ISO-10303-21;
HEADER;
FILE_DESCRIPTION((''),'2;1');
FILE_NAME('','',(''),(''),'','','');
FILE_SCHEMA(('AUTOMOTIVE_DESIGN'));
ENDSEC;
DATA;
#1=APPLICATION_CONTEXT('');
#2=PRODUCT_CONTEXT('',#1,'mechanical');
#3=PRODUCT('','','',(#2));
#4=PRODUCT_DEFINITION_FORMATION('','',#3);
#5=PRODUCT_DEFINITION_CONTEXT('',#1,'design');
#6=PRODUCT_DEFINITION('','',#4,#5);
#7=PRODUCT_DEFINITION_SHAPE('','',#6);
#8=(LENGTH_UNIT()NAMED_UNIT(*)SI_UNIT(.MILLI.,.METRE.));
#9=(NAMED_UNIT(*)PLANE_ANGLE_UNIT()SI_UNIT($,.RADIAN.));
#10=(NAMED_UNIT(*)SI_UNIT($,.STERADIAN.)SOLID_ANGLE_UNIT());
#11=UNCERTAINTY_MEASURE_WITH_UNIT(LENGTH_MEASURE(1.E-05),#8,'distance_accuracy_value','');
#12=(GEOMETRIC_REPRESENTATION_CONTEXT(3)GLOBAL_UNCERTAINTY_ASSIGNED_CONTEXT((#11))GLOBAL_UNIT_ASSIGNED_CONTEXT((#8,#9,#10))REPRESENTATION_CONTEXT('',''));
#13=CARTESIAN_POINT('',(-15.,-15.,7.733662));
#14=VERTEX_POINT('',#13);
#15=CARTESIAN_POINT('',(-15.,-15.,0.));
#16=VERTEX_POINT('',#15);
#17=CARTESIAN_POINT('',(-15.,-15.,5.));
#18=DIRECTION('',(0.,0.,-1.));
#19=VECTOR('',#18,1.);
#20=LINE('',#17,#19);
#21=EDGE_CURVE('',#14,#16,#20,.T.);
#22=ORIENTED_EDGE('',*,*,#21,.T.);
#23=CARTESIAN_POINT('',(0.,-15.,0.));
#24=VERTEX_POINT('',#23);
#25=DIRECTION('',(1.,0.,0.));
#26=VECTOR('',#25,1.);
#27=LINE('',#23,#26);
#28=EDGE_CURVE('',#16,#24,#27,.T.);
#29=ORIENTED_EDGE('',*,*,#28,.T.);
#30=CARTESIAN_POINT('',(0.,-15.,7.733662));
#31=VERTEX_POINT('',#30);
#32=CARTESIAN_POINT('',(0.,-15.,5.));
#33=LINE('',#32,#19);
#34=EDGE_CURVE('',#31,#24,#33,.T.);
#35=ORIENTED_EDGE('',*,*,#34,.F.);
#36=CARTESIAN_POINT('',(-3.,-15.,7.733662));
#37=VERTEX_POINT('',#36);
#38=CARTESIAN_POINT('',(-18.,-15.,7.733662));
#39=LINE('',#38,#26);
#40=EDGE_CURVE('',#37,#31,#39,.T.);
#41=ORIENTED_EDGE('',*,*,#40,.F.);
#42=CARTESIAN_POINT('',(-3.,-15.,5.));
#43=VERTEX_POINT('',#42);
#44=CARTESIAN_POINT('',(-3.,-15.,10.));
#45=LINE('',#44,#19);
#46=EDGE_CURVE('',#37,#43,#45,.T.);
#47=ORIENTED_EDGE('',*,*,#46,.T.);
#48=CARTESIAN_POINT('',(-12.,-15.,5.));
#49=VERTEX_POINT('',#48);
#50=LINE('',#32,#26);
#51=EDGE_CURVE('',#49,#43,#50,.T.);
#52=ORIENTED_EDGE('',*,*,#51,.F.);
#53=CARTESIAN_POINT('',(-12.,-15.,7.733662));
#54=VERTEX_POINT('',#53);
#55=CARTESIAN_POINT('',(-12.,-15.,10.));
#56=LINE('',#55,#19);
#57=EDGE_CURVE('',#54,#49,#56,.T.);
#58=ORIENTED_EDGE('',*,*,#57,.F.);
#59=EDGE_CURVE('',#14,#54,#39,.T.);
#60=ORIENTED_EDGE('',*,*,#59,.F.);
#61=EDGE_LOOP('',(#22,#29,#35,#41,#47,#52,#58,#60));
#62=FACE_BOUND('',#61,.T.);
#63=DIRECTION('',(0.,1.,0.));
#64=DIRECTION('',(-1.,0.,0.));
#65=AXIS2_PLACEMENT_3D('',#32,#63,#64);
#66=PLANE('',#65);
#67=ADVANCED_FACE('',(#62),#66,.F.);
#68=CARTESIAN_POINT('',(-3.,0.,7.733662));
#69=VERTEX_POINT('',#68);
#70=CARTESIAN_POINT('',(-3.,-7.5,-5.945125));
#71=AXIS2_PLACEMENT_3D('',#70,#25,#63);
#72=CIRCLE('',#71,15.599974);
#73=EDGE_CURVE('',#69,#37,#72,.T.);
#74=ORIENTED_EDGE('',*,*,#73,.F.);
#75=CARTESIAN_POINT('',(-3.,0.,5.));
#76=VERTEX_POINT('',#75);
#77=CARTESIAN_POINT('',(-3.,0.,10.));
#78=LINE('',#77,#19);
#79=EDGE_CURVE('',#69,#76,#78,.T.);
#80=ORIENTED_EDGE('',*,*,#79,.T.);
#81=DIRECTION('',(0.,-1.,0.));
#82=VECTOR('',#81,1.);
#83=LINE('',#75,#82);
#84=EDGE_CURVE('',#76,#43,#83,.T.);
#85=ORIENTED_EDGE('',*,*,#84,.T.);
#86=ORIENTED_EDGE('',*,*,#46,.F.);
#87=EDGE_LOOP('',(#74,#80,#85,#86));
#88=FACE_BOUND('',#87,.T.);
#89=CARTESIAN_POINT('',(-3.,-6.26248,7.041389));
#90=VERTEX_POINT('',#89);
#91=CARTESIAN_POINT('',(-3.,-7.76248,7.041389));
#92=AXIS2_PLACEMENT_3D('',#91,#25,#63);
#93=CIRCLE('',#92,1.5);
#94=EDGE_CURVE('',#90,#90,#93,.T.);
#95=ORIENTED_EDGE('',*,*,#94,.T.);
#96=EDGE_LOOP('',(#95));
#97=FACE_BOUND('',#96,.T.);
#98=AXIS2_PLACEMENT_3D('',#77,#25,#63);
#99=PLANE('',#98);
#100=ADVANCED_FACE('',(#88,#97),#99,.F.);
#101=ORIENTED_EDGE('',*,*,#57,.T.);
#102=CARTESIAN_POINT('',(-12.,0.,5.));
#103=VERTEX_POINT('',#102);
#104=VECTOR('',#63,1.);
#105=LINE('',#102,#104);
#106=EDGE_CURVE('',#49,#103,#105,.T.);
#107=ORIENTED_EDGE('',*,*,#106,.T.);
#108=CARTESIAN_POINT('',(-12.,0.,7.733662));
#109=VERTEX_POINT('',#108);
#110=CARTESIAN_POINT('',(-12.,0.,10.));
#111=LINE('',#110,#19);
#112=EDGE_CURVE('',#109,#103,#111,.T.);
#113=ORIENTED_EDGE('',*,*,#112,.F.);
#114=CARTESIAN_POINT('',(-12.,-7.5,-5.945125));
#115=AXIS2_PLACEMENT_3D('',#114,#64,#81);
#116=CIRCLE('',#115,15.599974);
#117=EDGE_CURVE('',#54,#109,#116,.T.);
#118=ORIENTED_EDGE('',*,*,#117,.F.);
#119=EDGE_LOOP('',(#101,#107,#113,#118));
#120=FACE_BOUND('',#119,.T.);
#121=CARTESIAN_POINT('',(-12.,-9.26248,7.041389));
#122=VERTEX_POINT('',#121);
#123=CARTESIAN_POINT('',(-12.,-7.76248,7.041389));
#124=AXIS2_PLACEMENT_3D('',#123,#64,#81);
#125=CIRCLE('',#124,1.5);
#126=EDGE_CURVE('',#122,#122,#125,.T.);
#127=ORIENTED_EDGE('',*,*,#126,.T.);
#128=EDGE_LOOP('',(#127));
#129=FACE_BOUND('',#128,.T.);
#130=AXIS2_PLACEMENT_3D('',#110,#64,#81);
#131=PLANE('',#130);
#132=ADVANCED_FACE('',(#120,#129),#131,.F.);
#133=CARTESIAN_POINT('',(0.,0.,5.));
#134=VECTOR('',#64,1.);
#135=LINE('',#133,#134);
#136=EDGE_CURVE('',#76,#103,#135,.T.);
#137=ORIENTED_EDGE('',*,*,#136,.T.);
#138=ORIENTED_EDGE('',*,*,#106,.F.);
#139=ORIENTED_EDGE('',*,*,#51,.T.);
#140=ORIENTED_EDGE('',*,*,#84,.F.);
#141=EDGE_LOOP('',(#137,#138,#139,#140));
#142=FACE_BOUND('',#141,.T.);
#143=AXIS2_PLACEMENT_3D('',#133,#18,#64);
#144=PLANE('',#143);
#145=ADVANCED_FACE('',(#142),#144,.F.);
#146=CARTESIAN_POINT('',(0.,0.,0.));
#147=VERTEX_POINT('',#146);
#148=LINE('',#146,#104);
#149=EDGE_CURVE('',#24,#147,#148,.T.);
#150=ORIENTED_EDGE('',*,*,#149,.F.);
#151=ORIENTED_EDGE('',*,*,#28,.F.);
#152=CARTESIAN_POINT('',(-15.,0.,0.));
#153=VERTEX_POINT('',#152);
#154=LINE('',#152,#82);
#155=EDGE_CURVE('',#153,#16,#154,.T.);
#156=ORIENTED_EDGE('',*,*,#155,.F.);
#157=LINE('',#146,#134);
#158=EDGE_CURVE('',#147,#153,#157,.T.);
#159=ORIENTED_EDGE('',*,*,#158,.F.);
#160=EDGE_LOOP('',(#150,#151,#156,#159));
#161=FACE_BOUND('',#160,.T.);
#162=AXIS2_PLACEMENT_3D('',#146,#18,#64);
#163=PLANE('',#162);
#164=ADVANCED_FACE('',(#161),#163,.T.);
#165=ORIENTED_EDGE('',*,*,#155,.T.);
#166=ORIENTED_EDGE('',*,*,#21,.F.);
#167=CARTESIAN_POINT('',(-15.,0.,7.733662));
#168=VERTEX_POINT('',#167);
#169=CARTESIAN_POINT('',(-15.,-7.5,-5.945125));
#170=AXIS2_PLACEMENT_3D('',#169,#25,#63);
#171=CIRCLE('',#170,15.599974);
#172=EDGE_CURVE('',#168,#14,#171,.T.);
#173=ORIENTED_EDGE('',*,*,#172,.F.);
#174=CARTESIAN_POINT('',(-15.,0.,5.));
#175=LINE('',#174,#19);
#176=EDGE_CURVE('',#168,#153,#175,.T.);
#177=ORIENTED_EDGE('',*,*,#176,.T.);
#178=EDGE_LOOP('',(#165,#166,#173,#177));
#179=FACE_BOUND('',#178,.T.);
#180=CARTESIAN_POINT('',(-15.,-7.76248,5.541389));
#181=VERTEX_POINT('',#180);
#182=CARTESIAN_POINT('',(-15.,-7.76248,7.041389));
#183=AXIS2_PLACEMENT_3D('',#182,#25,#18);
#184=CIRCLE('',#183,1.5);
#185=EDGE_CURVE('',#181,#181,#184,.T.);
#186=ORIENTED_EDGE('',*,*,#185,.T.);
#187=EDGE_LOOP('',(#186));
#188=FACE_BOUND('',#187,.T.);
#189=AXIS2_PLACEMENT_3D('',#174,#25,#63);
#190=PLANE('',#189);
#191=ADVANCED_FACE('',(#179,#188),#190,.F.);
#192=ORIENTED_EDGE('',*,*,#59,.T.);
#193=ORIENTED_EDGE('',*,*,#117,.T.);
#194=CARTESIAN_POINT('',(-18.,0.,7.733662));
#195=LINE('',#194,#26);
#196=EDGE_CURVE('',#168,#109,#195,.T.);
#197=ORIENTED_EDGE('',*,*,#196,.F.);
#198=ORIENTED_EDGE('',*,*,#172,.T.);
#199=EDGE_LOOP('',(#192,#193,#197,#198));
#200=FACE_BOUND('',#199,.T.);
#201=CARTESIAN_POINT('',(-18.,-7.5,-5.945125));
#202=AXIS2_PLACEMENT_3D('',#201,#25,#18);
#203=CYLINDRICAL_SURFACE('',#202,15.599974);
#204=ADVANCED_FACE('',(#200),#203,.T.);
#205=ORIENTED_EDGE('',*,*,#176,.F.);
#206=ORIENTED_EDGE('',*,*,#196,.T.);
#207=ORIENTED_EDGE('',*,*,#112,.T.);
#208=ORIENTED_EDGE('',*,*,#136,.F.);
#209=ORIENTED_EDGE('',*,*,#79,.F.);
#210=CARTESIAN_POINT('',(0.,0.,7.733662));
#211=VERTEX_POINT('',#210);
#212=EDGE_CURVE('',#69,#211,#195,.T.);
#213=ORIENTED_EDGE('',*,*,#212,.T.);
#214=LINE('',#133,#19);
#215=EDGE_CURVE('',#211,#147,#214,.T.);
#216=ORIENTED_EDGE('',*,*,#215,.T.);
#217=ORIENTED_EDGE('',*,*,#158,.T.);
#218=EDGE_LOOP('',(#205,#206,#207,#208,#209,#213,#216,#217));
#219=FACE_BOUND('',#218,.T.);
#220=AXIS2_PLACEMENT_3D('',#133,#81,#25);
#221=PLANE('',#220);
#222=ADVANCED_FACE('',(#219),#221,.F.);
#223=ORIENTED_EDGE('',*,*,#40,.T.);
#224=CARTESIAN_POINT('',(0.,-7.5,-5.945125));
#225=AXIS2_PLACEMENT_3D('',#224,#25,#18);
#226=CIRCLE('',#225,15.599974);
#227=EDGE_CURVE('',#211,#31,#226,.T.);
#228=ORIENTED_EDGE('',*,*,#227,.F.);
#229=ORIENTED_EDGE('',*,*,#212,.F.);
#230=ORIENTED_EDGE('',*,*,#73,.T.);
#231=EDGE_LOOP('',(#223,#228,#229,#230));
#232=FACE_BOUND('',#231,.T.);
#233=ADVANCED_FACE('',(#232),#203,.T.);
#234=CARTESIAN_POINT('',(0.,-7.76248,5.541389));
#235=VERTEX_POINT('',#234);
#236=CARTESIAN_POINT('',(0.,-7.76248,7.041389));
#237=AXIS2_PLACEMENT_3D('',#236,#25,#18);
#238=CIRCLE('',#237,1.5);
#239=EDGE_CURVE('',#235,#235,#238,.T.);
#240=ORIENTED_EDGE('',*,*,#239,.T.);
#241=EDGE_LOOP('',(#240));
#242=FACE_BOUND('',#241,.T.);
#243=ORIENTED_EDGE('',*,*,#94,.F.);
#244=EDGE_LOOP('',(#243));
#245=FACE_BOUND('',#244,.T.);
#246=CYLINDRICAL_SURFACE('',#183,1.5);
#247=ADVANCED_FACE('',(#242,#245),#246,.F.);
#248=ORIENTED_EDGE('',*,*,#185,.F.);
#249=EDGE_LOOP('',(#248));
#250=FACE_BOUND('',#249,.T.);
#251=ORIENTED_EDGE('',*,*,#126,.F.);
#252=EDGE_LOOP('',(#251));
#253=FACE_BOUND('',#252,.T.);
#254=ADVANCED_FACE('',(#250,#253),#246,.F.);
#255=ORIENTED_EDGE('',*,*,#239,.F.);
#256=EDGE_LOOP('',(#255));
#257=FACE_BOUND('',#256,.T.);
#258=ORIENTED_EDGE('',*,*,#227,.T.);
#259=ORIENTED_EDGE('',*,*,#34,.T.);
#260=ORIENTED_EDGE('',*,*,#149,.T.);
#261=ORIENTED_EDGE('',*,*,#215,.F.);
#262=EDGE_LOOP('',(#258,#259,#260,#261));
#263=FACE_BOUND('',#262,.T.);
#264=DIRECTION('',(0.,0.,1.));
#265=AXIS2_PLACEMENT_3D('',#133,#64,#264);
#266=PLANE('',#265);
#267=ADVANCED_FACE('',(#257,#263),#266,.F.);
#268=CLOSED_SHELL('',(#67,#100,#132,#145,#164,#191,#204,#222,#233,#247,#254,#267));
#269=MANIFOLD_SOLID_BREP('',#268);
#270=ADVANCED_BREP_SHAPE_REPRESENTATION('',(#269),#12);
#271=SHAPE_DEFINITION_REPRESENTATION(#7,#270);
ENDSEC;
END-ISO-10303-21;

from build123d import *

# Parameters (mm, degrees)
SKETCH1_W               = 15
SKETCH1_H               = 15
BOSS_EXTRUDE1_DEPTH     = 5
SKETCH2_W               = 3
SKETCH2_H               = 15
BOSS_EXTRUDE2_DEPTH     = 5
CUT_EXTRUDE1_DEPTH      = 18
SKETCH4_R               = 1.5
CUT_EXTRUDE2_DEPTH      = 13
CUT_EXTRUDE2_DEPTH_BACK = 4


with BuildPart() as part:
    # Sketch1 → Boss-Extrude1 (new body)
    with BuildSketch(Plane.XY):
        with Locations((-7.5, -7.5)):
            Rectangle(SKETCH1_W, SKETCH1_H)
    extrude(amount=BOSS_EXTRUDE1_DEPTH)

    # Sketch2 → Boss-Extrude2 (add)
    with BuildSketch(Plane.XY.offset(5)):
        with Locations((-1.5, -7.5)):
            Rectangle(SKETCH2_W, SKETCH2_H)
        with Locations((-13.5, -7.5)):
            Rectangle(SKETCH2_W, SKETCH2_H)
    extrude(amount=BOSS_EXTRUDE2_DEPTH)

    # Sketch3 → Cut-Extrude1 (cut)
    with BuildSketch(Plane(origin=(0, 0, 0), x_dir=(0, 0, -1), z_dir=(1, 0, 0))):
        with BuildLine():
            Line((-7.733661886, 0), (-10, 0))
            Line((-10, 0), (-10, -15))
            Line((-10, -15), (-7.733661886, -15))
            ThreePointArc((-7.733661886, -15), (-9.654849758, -7.5), (-7.733661886, 0))
        make_face()
    extrude(amount=-CUT_EXTRUDE1_DEPTH, mode=Mode.SUBTRACT)

    # Sketch4 → Cut-Extrude2 (cut, two sides)
    with BuildSketch(Plane(origin=(-12, 0, 0), x_dir=(0, 0, -1), z_dir=(1, 0, 0))) as cut_extrude2_sk:
        with Locations((-7.041389116, -7.762480296)):
            Circle(SKETCH4_R)
    extrude(amount=CUT_EXTRUDE2_DEPTH, mode=Mode.SUBTRACT)
    extrude(cut_extrude2_sk.sketch, amount=-CUT_EXTRUDE2_DEPTH_BACK, mode=Mode.SUBTRACT)


solid = part.part
